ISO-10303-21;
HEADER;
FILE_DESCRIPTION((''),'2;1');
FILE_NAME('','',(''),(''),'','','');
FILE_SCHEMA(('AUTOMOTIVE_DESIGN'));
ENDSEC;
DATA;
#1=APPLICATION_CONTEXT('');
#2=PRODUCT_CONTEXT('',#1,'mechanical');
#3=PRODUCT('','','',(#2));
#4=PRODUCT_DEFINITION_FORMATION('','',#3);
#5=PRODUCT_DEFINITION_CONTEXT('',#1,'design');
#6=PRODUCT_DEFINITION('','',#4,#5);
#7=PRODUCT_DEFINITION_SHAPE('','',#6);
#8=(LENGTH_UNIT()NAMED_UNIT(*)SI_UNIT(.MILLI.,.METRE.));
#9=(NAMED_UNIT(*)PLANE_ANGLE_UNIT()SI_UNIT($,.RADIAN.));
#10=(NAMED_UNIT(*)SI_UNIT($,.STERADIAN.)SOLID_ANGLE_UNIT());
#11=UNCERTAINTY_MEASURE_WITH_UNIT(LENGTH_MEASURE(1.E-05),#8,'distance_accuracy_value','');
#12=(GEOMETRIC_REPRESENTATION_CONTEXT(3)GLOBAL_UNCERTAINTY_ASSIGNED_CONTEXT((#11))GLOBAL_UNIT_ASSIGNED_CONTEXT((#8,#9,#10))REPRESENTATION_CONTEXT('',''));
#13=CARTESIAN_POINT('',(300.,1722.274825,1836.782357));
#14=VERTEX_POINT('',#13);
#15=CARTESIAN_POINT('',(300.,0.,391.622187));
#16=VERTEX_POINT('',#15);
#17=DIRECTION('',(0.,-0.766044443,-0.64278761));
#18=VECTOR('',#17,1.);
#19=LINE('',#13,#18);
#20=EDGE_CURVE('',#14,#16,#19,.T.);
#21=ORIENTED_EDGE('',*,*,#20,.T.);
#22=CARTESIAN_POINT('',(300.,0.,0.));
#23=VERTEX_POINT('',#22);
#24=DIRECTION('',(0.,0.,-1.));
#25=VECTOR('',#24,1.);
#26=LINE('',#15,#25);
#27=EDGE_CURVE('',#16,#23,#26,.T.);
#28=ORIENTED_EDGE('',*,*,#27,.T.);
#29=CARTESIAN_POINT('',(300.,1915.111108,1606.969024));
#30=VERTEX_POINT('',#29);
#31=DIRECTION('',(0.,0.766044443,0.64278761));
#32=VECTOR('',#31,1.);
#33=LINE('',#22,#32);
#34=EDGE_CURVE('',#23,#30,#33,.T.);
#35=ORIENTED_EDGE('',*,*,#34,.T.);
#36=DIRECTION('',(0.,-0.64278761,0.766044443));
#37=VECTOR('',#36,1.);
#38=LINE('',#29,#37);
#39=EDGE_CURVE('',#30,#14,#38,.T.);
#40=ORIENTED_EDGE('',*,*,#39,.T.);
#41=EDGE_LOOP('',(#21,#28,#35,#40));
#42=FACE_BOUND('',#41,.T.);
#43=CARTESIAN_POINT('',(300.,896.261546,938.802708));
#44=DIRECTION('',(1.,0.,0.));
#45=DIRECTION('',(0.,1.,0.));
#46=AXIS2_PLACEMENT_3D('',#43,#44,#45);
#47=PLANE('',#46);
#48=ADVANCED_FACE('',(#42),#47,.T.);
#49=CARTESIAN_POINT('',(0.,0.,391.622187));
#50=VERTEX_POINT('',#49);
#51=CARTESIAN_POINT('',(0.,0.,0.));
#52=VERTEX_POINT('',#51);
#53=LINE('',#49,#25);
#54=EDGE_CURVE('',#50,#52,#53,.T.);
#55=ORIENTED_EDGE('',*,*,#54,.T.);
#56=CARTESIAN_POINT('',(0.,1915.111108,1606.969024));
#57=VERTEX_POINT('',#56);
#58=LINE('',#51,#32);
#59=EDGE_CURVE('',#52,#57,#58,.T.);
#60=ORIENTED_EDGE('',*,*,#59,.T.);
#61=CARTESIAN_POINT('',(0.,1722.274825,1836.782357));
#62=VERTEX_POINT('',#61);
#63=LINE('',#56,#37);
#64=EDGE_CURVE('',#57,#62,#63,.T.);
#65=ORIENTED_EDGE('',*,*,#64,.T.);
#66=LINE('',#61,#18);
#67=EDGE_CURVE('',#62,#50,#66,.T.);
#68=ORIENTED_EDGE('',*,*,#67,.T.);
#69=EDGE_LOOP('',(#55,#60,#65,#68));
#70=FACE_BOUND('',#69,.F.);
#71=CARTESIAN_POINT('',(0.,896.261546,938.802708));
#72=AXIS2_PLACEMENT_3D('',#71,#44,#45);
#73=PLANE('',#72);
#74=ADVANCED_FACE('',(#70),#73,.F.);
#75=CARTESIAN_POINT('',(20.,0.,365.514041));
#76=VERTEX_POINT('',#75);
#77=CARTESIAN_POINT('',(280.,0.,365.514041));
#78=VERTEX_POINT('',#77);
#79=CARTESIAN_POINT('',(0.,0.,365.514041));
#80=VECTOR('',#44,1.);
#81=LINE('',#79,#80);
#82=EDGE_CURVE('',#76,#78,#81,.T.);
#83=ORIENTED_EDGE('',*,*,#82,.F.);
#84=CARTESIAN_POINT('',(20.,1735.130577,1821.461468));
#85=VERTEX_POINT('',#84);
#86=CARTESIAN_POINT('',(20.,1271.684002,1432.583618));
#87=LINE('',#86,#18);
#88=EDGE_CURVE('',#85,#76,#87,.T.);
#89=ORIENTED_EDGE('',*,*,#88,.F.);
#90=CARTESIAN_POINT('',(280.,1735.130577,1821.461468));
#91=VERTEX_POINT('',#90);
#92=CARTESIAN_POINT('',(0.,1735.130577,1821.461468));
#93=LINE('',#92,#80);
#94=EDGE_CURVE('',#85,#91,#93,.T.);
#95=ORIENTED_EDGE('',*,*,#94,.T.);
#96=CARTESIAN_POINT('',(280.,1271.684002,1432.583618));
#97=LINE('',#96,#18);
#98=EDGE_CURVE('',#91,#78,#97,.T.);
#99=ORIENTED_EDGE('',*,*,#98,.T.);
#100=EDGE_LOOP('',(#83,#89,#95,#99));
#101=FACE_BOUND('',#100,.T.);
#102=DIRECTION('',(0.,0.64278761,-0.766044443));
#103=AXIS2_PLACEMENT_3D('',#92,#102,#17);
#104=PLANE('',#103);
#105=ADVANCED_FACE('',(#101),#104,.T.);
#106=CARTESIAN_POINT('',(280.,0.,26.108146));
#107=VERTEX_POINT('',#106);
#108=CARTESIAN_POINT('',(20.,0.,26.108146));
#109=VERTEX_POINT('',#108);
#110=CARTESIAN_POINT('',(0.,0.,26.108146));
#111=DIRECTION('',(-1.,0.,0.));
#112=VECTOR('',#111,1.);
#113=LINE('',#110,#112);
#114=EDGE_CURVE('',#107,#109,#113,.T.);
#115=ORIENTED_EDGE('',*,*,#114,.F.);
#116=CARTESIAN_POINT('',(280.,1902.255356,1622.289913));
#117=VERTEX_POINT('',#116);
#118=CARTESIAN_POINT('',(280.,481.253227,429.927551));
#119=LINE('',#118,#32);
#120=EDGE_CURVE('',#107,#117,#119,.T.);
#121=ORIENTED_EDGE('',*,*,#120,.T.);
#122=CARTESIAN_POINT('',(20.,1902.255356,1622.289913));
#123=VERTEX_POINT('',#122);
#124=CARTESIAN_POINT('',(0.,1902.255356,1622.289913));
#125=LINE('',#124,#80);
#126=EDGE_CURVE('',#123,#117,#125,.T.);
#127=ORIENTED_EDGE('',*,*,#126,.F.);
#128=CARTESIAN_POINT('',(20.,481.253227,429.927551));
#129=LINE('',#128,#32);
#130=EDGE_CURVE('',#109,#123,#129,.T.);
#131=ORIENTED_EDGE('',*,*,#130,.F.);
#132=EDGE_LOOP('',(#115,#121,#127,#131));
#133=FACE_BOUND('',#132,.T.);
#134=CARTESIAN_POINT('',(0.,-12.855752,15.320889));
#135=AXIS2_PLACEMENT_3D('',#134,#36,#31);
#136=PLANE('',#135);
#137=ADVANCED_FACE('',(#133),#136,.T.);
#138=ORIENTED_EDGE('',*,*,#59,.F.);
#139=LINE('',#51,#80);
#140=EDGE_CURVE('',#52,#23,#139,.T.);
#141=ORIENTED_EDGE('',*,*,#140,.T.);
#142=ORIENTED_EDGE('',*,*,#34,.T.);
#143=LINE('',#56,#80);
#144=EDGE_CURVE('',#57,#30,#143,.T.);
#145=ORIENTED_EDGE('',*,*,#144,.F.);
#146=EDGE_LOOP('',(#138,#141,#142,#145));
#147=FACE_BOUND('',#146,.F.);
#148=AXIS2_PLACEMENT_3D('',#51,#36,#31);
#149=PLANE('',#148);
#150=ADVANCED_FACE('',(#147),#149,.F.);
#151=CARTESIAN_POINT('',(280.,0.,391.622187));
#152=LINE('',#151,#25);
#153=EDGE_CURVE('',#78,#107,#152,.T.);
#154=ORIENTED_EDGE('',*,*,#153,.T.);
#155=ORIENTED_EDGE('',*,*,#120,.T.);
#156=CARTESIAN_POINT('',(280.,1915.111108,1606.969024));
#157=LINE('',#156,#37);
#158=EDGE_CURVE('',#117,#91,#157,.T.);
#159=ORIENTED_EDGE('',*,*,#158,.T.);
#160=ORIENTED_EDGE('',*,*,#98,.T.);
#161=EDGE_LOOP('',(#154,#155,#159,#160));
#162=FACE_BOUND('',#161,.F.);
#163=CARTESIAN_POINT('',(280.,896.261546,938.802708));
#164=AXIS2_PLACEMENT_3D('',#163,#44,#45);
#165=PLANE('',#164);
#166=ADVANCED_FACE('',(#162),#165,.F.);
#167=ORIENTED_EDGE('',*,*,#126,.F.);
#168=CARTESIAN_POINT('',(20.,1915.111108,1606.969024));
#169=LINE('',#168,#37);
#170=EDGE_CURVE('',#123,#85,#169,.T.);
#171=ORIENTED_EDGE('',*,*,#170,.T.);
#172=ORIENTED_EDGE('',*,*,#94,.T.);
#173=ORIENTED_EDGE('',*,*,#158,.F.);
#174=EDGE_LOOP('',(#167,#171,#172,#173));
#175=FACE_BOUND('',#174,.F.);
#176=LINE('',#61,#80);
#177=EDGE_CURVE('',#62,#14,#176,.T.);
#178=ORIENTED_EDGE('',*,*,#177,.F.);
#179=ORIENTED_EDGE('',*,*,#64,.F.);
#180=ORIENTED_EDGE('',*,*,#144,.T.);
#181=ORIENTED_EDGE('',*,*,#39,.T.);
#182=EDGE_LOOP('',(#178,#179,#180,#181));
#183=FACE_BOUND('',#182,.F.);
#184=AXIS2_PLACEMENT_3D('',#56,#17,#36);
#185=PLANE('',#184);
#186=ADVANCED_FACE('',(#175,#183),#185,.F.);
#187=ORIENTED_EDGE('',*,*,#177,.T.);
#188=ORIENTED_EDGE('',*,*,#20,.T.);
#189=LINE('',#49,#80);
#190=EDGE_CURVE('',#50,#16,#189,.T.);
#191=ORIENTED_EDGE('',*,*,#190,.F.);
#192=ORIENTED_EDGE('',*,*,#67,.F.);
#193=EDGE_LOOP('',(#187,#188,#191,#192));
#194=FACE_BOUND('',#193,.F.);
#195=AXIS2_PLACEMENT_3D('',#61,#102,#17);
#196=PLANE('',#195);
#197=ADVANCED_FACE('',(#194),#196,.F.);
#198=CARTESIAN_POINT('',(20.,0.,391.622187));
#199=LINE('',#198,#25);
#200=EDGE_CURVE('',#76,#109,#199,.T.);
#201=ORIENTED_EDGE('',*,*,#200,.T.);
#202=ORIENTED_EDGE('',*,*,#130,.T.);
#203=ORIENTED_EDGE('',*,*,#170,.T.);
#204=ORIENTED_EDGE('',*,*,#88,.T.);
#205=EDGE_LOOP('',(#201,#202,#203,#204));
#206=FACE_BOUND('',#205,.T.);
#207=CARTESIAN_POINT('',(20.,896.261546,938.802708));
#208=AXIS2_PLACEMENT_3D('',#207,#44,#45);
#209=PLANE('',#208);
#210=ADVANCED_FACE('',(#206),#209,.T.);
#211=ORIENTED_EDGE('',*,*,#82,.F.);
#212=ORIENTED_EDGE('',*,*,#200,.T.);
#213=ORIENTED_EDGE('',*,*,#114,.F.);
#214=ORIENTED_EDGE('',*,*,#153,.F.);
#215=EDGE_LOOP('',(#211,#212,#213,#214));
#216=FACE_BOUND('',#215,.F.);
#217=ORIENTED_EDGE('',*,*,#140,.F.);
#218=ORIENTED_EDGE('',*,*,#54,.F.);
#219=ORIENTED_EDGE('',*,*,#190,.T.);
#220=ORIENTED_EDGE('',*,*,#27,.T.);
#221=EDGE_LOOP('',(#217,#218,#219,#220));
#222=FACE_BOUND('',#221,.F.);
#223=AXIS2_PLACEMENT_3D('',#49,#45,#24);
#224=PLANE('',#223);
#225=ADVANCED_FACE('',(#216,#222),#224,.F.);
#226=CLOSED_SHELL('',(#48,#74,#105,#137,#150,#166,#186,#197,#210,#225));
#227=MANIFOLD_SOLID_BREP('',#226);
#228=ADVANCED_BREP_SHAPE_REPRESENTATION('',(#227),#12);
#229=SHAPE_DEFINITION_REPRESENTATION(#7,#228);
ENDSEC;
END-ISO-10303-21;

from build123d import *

# Parameters (mm, degrees)
F1_DEPTH = 300
F2_T     = -20


with BuildPart() as f1:
    # F0 (on Right) → F1 (new body)
    with BuildSketch(Plane.YZ):
        Polygon((0, 391.622187), (0, 0), (1915.111108, 1606.969024), (1722.274825, 1836.782357), align=None)
    extrude(amount=F1_DEPTH)

    # F2
    f2_openings = [f1.faces().sort_by_distance(p)[0] for p in [
        (150, 0, 195.811093),
        (150, 1818.692966, 1721.875691),
    ]]
    offset(amount=F2_T, openings=f2_openings)


solid = f1.part
